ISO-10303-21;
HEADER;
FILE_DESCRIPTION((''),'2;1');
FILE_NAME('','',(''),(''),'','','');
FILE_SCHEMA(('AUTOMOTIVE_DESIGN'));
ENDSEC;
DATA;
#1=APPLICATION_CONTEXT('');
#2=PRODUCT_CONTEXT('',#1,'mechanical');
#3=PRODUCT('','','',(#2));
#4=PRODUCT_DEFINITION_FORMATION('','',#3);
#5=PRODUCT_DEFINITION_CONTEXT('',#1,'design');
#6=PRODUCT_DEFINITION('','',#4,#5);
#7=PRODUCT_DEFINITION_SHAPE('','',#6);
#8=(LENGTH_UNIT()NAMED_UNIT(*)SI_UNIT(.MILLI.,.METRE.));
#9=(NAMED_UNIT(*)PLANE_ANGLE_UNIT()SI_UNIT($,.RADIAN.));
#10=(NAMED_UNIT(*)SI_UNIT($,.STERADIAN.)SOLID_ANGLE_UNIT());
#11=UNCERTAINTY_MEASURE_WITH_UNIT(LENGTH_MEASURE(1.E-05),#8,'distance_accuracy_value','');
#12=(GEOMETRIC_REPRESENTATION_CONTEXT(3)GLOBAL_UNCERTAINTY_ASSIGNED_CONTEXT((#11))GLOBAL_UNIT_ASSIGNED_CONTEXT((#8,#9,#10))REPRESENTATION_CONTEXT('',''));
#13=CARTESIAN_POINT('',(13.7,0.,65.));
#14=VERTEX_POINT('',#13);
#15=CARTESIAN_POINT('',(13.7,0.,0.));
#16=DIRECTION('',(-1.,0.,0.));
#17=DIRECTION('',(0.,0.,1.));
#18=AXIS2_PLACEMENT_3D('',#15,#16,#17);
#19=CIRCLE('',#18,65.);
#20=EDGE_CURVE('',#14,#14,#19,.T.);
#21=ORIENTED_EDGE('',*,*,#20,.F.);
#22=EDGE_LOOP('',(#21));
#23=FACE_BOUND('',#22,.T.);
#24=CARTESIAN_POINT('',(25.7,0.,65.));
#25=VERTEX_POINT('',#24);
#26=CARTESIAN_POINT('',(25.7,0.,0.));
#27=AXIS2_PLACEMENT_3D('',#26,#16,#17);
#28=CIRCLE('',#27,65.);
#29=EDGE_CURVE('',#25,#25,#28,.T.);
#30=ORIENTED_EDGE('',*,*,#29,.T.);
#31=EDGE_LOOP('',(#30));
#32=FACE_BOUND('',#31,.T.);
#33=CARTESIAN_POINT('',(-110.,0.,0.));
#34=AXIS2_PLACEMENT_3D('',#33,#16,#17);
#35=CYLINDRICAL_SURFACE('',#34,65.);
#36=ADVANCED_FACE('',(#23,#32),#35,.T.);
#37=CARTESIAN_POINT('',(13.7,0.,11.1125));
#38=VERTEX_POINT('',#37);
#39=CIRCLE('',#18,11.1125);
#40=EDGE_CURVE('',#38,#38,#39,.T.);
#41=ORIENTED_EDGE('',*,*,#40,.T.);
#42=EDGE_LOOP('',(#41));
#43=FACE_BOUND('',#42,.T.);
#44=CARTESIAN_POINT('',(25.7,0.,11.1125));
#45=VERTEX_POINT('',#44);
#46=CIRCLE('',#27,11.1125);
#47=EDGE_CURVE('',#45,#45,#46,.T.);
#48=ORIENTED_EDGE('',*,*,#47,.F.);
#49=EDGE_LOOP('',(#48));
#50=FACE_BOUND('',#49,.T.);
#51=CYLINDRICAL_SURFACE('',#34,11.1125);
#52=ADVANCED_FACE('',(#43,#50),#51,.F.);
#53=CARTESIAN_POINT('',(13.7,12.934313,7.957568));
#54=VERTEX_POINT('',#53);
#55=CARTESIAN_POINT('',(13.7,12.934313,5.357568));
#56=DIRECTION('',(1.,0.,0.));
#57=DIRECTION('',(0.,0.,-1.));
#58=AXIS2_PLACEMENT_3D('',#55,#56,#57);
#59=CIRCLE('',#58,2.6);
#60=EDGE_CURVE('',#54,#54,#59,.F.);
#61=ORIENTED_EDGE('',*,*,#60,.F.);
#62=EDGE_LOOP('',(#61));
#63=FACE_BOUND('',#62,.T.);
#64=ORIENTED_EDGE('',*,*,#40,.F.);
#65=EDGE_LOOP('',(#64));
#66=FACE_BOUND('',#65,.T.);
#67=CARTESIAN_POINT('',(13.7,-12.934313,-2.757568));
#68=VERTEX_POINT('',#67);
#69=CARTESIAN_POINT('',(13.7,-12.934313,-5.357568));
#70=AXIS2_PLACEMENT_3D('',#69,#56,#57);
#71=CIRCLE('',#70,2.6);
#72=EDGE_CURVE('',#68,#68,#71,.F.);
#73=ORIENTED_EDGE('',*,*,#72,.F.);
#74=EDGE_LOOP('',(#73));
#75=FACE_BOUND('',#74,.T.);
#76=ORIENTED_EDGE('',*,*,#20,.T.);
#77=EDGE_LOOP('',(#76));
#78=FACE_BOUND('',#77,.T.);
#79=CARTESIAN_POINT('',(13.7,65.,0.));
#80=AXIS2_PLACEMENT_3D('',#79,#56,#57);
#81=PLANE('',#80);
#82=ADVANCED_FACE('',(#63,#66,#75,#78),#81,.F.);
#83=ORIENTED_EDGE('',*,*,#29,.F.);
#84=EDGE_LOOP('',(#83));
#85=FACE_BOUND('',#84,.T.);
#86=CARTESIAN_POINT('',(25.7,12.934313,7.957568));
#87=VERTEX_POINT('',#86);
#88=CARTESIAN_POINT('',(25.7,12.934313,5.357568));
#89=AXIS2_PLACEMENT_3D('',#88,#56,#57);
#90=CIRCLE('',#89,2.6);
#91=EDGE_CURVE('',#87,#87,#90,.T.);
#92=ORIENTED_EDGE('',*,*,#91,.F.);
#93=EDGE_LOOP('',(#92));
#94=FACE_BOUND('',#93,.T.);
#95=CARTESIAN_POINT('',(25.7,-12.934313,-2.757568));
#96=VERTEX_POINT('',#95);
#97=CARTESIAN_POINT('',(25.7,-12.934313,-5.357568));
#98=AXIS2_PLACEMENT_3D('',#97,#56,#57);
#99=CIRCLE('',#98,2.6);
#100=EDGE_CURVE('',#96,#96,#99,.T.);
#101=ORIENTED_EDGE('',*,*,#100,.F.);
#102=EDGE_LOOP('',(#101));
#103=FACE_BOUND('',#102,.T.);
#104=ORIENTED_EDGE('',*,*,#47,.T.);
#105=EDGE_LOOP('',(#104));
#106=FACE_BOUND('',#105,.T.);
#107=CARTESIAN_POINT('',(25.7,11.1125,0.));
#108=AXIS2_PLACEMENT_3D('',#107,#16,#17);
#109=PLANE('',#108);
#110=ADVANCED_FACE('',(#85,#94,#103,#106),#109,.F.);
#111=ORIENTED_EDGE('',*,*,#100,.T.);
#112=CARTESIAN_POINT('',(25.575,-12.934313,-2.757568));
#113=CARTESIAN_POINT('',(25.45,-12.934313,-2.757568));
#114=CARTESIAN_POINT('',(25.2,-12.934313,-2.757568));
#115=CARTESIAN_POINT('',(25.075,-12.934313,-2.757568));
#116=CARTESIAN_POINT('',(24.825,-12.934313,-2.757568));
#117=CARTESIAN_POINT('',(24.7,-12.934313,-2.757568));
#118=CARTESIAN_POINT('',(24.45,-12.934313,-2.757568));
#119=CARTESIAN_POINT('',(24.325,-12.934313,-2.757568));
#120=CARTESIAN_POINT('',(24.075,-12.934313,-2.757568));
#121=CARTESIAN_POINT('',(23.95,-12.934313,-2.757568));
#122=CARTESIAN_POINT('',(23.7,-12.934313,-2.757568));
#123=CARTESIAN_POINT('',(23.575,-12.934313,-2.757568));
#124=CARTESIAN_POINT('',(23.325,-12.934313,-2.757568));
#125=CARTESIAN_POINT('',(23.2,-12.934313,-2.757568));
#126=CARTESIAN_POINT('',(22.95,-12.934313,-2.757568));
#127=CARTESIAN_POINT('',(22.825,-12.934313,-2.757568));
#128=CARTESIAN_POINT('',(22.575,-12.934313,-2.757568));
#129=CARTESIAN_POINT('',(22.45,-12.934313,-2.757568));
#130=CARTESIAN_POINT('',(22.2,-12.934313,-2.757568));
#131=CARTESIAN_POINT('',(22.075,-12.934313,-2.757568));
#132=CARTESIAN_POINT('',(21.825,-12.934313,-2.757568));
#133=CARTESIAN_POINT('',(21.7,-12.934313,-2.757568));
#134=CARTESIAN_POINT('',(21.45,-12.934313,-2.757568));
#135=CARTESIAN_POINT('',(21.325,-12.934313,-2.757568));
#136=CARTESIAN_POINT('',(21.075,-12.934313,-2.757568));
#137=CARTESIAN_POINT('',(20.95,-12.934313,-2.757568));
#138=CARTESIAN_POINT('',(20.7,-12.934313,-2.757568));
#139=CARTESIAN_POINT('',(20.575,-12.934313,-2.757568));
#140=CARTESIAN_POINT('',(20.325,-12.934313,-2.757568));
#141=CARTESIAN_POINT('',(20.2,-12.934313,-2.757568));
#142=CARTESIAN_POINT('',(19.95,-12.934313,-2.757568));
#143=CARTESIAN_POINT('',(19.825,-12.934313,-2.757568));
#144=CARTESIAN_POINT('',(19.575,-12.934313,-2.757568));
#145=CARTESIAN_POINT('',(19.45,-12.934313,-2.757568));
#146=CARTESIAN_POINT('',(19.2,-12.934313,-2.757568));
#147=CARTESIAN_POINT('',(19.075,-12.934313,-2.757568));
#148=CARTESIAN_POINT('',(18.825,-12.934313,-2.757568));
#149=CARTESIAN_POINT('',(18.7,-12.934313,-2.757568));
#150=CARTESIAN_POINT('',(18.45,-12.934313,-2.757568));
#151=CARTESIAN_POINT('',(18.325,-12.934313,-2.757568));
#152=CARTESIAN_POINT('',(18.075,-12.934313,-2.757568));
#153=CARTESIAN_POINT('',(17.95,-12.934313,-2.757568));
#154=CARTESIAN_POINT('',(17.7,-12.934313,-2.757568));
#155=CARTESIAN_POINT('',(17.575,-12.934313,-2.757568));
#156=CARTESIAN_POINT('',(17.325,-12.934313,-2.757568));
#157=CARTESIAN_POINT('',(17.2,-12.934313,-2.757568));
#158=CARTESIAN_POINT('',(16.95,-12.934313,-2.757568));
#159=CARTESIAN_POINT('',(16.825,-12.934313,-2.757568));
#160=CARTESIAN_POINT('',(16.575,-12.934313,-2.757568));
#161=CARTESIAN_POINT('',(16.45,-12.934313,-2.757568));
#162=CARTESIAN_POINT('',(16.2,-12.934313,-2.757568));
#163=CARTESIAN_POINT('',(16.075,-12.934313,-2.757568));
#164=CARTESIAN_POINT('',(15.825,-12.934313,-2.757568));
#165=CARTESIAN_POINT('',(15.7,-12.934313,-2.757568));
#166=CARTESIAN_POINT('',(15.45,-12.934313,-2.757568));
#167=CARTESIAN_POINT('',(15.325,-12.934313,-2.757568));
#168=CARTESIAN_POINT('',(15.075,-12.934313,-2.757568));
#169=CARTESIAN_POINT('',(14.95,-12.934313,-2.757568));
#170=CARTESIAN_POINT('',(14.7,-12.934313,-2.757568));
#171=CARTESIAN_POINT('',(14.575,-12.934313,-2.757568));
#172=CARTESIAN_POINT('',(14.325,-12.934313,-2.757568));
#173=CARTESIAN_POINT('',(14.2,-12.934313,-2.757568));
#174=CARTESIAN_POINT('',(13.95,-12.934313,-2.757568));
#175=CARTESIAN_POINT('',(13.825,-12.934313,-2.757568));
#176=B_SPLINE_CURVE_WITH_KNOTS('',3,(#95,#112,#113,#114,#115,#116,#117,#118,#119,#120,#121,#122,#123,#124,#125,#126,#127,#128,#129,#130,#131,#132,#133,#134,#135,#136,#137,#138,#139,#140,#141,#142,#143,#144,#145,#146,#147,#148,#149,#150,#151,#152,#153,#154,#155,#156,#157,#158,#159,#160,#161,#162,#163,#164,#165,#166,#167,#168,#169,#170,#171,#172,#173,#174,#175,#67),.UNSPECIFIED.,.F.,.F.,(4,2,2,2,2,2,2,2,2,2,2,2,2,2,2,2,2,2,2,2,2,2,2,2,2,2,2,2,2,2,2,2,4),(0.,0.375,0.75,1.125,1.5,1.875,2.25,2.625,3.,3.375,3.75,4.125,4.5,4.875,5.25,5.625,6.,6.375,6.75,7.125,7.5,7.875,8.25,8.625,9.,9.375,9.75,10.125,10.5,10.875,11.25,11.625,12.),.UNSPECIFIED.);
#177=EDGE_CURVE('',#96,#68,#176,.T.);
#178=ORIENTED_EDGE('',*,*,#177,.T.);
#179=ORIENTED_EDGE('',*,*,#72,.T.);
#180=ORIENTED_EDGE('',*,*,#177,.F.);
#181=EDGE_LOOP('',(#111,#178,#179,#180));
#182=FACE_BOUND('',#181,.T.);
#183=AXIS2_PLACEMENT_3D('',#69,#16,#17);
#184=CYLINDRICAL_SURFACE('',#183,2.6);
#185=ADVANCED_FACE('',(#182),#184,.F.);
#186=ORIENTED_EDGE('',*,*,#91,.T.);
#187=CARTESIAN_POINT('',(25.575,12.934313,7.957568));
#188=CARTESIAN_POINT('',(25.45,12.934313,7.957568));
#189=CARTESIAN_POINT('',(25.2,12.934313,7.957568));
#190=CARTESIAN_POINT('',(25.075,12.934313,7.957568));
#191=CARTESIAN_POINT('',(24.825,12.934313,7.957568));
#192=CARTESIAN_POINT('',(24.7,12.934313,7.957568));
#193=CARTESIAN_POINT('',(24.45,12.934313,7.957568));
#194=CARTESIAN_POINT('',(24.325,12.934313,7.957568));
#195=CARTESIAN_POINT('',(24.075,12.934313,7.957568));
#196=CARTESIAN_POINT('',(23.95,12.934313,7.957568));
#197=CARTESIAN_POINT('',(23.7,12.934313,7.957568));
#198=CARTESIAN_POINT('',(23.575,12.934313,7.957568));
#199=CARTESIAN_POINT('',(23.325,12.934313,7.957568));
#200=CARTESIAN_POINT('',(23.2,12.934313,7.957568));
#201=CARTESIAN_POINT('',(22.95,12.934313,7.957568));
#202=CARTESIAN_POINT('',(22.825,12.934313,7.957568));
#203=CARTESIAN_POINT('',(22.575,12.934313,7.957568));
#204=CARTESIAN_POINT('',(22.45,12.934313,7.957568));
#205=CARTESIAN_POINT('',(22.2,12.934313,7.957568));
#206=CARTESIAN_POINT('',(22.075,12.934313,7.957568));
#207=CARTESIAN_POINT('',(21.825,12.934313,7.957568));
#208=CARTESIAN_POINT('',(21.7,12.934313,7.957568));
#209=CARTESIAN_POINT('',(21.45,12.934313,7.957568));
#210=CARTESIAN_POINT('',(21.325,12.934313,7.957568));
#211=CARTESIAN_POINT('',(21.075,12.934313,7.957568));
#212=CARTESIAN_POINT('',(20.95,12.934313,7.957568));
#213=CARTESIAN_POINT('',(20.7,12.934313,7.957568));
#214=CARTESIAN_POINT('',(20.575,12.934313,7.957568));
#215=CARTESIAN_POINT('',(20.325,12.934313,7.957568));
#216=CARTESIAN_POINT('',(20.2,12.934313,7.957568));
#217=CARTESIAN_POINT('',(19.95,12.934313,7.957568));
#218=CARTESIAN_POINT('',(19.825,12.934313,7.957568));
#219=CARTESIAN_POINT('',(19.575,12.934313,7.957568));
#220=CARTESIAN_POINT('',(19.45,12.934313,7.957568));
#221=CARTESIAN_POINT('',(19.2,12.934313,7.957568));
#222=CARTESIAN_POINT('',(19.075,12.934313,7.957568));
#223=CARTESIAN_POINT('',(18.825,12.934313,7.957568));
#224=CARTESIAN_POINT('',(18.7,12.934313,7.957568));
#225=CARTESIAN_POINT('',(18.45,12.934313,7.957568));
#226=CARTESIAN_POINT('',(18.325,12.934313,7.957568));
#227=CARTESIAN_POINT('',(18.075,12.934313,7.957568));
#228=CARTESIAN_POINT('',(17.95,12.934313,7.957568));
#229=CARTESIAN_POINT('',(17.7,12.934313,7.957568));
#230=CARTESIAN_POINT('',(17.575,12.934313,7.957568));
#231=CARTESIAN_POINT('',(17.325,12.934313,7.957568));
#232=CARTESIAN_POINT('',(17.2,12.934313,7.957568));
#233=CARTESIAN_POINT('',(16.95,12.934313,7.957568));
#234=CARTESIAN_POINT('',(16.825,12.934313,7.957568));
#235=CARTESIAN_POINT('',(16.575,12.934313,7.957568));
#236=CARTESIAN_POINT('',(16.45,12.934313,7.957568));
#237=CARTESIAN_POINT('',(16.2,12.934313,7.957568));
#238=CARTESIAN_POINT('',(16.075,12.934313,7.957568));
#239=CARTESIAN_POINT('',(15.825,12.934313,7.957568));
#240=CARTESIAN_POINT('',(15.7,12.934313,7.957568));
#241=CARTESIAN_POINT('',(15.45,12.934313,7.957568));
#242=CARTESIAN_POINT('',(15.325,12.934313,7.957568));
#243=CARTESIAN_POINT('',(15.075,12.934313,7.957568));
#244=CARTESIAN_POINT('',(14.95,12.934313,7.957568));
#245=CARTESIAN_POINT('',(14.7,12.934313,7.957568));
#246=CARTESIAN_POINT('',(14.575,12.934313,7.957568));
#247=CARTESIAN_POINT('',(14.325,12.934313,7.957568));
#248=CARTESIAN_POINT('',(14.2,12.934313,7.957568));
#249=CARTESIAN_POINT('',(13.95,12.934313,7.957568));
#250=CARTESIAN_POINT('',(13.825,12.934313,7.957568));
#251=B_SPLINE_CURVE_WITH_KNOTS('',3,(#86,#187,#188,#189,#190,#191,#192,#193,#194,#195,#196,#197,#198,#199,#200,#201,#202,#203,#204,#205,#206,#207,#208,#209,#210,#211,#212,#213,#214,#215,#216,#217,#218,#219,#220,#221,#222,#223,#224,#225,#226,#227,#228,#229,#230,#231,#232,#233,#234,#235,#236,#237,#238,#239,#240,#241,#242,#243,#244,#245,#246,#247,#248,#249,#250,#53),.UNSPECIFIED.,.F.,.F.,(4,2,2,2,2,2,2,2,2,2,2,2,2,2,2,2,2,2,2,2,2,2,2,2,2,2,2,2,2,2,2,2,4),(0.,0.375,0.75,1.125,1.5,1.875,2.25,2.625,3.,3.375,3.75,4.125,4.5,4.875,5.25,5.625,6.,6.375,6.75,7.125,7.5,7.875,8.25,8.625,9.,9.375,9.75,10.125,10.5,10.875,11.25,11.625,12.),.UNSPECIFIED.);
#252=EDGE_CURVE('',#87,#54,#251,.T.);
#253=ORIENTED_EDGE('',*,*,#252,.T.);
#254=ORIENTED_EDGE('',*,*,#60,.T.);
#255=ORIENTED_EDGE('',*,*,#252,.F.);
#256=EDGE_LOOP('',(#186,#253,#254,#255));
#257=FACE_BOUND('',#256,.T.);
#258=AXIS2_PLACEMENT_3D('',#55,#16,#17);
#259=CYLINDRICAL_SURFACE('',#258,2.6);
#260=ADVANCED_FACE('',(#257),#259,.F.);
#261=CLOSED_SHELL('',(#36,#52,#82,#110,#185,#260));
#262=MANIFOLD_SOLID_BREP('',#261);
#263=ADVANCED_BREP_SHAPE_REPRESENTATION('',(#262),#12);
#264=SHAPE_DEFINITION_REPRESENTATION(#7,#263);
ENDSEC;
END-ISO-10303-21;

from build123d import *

# Parameters (mm, degrees)
AXIAL_PROFILE_MM_W     = 12
AXIAL_PROFILE_MM_H     = 53.8875
AXIAL_HOLES_DEPTH      = 96.448886845
AXIAL_HOLES_DEPTH_BACK = 96.448886845
SKETCH2_R              = 2.6


with BuildPart() as part:
    # Axial profile (mm) → Full revolution (revolve)
    with BuildSketch(Plane.XY, mode=Mode.PRIVATE) as full_revolution_sk:
        with Locations((19.7, 38.05625)):
            Rectangle(AXIAL_PROFILE_MM_W, AXIAL_PROFILE_MM_H)
    revolve(full_revolution_sk.sketch.rotate(Axis((-110, 0, 0), (1, 0, 0)), 90), axis=Axis((-110, 0, 0), (1, 0, 0)))

    # Sketch2 → Axial holes (cut, two sides: drawn at the far end of the back side and taken through both)
    with BuildSketch(Plane(origin=(0, 0, 0), x_dir=(0, 0, -1), z_dir=(1, 0, 0)).offset(-AXIAL_HOLES_DEPTH_BACK)):
        with Locations(Location((-5.357568053, 12.934313455, 0), (0, 0, 180))):
            Circle(SKETCH2_R)
        with Locations(Location((5.357568053, -12.934313455, 0), (0, 0, 180))):
            Circle(SKETCH2_R)
    extrude(amount=AXIAL_HOLES_DEPTH + AXIAL_HOLES_DEPTH_BACK, mode=Mode.SUBTRACT)


solid = part.part
